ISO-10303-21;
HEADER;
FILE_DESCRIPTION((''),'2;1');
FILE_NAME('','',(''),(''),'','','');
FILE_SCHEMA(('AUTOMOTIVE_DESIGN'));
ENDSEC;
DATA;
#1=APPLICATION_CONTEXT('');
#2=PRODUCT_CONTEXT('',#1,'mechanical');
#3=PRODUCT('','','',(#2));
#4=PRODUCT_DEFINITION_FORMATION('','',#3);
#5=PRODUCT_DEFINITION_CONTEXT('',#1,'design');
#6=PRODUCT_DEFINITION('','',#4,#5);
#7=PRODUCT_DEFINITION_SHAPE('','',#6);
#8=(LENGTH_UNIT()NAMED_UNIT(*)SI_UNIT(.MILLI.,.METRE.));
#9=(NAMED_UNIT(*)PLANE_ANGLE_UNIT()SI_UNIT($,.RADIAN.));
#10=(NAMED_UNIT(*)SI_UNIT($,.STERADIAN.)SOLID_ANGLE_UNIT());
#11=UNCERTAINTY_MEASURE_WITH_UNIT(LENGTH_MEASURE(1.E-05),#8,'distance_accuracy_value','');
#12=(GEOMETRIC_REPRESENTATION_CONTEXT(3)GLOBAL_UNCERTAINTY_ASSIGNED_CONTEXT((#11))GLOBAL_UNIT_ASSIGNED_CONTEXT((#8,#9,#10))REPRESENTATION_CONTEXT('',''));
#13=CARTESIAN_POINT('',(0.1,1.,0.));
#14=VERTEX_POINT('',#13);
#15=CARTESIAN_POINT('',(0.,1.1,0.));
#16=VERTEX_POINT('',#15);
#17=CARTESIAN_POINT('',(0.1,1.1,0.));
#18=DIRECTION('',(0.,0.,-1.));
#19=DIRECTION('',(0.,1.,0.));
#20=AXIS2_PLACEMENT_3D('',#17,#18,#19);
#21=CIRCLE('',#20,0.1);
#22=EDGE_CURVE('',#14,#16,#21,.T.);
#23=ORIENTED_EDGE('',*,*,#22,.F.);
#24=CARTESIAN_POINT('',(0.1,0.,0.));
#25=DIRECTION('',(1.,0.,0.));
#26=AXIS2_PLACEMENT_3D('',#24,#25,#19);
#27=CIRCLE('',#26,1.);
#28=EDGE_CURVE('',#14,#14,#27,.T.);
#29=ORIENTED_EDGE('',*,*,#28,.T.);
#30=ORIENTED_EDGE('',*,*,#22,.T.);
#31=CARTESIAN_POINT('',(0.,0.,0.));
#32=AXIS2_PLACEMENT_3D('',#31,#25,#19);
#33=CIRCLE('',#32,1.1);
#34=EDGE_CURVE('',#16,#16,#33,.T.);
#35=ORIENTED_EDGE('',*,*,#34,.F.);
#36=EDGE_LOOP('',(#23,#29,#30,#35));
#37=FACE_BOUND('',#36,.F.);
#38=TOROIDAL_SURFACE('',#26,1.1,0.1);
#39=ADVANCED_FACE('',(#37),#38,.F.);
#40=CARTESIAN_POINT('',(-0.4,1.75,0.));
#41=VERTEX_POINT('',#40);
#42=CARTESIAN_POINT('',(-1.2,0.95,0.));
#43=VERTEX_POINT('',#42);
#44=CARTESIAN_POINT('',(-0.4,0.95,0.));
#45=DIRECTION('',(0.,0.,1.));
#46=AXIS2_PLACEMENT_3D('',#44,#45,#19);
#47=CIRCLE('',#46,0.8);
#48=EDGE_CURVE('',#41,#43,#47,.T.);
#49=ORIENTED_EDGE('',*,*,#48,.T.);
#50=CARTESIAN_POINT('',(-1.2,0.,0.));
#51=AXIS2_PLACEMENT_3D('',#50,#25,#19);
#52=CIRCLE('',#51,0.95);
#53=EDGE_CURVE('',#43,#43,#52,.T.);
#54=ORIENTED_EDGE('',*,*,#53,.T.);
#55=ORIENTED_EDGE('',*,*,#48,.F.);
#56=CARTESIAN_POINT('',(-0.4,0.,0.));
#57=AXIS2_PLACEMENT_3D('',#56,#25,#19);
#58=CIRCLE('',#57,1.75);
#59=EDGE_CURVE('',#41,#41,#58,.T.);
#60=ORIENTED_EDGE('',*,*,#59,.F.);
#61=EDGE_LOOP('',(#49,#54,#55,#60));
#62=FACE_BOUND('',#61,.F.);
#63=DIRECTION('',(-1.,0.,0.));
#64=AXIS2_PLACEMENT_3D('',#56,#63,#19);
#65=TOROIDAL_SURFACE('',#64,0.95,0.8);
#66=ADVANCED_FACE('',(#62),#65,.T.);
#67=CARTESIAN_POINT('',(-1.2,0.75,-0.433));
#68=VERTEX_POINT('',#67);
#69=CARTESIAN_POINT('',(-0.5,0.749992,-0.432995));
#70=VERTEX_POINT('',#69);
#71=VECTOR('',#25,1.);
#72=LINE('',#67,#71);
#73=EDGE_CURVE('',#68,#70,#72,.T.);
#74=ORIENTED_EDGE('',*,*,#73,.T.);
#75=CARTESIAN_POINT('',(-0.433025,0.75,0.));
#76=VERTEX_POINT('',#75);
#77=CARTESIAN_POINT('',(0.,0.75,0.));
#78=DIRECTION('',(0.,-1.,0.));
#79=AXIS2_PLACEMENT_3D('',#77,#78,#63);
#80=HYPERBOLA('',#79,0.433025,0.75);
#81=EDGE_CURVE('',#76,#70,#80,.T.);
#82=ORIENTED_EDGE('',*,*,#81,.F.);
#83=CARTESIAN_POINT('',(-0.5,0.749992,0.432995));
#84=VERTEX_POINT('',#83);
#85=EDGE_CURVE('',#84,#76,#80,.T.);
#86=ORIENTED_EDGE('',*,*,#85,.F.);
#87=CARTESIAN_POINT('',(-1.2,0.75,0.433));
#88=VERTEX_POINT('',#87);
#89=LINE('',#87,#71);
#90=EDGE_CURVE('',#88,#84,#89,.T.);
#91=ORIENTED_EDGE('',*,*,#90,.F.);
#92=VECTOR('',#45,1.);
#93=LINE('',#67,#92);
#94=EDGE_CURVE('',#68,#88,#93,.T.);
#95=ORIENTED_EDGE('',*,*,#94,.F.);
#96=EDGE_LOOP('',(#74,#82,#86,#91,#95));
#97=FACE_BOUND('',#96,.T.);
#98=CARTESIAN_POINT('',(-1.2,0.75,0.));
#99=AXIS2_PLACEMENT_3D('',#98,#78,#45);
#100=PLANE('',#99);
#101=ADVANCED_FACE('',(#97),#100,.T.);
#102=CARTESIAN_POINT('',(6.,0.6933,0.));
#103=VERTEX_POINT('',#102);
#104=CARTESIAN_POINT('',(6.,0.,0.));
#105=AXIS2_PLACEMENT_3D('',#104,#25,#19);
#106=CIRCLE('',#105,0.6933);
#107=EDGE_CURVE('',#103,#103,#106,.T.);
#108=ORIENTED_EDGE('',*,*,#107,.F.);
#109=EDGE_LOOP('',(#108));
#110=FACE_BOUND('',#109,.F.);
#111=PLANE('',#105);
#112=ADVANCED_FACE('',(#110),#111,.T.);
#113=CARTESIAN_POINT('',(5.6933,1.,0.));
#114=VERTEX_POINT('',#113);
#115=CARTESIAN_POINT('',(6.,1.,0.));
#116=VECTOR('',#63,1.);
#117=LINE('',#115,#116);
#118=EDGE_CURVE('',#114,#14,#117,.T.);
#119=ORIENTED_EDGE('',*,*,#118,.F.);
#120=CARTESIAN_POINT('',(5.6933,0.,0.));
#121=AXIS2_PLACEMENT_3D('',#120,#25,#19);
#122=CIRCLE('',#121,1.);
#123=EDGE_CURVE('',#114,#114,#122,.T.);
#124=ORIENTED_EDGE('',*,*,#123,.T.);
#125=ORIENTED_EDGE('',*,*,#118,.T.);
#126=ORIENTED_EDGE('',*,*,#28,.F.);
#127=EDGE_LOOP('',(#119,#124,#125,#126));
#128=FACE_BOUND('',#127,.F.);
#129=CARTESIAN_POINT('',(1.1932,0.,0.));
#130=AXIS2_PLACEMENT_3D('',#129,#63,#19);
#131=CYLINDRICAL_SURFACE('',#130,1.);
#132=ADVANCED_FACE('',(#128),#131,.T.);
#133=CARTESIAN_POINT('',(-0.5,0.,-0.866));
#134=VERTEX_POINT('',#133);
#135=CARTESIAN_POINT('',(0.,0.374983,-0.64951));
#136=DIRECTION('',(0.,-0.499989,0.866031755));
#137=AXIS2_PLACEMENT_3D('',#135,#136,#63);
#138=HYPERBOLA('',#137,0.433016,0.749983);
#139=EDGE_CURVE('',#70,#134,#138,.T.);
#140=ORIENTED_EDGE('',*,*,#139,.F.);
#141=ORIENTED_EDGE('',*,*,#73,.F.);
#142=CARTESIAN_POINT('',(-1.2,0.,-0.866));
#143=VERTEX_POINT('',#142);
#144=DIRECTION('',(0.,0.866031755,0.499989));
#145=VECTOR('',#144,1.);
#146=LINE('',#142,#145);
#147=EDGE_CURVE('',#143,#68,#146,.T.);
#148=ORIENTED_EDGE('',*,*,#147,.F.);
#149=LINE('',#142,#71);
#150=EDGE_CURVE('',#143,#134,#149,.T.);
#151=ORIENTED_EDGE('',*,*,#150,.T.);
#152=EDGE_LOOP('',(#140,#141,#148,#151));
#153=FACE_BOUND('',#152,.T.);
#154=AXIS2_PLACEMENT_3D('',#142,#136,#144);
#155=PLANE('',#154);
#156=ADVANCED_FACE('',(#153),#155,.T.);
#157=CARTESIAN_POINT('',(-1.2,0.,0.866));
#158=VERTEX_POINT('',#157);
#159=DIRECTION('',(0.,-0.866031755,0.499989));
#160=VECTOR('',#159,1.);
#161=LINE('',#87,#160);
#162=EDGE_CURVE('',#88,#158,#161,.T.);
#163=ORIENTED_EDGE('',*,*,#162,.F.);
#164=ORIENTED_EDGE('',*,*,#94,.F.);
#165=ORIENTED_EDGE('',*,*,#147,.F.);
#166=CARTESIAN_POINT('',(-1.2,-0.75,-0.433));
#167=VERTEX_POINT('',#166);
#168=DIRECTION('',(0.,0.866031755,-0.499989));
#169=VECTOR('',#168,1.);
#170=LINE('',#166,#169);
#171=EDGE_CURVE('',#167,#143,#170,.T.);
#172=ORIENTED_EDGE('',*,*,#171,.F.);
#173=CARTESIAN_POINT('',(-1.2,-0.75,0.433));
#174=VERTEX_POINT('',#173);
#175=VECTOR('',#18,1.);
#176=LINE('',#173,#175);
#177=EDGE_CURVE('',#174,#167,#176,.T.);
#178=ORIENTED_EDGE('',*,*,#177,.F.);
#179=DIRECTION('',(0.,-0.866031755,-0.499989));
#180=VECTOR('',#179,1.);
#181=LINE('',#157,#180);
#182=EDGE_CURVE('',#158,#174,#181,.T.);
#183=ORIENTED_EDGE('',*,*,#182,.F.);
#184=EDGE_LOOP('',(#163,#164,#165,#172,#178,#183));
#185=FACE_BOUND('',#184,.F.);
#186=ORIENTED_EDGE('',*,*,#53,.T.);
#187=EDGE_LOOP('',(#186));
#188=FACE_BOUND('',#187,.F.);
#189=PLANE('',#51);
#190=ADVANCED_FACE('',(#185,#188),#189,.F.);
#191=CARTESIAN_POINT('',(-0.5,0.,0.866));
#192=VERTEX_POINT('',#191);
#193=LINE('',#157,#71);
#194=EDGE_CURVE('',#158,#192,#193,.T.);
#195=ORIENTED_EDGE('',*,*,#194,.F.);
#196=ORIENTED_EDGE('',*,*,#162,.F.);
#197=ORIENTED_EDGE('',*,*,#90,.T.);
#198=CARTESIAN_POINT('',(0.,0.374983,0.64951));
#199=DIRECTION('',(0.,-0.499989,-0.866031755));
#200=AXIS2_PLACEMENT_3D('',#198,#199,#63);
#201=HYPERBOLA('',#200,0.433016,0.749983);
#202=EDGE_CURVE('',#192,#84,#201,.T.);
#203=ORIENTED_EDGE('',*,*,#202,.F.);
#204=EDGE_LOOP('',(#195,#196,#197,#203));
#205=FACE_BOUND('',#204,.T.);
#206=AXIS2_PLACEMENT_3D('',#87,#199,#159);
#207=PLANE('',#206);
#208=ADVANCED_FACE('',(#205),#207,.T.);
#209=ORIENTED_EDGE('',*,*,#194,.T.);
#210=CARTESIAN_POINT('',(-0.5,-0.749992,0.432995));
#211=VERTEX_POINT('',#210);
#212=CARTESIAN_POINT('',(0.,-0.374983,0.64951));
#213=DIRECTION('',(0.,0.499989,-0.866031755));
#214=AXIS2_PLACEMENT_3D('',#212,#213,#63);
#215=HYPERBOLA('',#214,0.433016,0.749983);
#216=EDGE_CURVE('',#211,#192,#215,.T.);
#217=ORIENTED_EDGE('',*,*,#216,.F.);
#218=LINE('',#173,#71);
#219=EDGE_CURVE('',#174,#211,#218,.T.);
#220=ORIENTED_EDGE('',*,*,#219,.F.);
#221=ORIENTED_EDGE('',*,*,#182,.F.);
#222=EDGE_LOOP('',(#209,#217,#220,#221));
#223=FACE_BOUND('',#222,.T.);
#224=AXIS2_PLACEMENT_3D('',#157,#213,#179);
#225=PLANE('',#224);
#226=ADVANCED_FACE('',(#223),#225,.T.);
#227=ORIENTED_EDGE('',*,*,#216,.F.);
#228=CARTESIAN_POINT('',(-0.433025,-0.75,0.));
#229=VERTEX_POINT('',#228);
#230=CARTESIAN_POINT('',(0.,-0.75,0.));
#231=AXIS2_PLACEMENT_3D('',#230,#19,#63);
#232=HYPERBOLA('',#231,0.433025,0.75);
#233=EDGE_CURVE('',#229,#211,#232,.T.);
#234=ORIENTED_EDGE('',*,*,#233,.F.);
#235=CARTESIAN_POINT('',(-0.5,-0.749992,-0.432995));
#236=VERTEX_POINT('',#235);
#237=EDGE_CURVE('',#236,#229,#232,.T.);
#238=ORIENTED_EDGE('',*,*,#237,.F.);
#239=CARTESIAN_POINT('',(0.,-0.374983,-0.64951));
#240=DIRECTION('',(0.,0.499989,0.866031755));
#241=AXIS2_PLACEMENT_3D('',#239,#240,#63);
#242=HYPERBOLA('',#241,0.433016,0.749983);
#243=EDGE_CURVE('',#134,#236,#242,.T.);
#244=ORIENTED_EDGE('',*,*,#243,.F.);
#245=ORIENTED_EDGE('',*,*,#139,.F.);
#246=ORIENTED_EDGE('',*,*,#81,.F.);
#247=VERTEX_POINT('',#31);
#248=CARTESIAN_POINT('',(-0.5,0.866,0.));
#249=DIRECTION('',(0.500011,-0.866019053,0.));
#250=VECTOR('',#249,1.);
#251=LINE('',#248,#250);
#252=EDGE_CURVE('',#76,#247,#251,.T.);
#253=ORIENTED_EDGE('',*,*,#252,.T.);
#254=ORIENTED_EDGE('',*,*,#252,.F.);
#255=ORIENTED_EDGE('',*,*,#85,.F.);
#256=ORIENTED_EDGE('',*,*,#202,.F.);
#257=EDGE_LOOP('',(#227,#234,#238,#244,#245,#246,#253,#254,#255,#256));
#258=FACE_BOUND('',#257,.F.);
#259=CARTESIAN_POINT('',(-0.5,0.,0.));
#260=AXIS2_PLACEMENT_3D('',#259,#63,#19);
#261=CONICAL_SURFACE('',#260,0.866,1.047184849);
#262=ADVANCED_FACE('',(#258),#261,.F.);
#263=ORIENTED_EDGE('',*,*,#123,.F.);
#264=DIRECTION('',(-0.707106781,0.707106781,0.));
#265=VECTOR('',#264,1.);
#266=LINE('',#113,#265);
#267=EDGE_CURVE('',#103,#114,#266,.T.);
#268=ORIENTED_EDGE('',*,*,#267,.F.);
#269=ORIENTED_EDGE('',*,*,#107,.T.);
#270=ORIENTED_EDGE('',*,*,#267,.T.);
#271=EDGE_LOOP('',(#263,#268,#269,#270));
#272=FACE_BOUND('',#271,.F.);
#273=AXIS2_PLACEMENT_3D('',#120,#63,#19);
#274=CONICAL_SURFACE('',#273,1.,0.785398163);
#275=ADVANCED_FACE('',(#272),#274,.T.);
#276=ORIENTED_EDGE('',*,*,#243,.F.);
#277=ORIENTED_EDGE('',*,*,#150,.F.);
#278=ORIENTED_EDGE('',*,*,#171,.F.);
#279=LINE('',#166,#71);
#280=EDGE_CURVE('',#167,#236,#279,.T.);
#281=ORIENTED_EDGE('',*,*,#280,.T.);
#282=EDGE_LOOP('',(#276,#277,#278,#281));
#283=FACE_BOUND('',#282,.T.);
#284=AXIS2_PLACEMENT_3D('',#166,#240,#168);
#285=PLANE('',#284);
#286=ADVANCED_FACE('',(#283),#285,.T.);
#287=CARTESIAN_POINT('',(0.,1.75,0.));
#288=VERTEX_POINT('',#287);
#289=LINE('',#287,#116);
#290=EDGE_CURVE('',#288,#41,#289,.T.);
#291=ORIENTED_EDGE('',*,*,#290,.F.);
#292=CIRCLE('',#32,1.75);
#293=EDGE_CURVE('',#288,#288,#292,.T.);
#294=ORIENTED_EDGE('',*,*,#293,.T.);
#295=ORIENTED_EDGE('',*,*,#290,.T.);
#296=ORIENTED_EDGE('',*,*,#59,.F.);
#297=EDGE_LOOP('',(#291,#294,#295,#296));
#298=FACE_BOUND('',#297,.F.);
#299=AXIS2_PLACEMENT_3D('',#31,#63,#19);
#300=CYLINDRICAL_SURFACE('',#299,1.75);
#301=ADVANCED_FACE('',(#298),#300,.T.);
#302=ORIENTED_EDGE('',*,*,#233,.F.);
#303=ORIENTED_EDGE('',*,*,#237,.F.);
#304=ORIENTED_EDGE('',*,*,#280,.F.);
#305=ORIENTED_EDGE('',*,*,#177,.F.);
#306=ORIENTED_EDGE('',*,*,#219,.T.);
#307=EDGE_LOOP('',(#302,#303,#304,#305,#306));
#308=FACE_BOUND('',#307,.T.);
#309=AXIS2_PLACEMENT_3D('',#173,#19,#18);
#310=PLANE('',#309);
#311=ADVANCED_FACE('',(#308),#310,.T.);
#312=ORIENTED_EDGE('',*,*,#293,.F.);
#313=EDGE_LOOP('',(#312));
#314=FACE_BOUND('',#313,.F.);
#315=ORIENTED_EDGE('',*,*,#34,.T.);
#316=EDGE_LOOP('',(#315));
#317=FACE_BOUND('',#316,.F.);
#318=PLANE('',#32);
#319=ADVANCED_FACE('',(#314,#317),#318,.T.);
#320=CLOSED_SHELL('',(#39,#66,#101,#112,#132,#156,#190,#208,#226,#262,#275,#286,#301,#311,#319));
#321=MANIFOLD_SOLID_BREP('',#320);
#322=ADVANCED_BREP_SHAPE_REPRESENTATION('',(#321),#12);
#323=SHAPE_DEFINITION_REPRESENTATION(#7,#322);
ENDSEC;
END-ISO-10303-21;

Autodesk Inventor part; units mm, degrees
ref_plane "YZ Plane" through (0, 0, 0) normal (1, 0, 0) x (0, 1, 0)
ref_plane "XZ Plane" through (0, 0, 0) normal (0, 1, 0) x (-1, 0, 0)
sketch "Sketch1" plane through (0, 0, 0) normal (0, 0, 1) x (1, 0, 0)
  line L0 (0, 0) -> (6, 0)
  line L1 (6, 0) -> (6, 1)
  line L2 (6, 1) -> (1.5, 1)
  line L3 (1.5, 1) -> (1.1932, 1)
  line L4 (1.1932, 1) -> (0, 1)
  line L5 (0, 1) -> (0, 1.75)
  line L6 (0, 1.75) -> (-1.2, 1.75)
  line L7 (-1.2, 1.75) -> (-1.2, 0.866)
  line L8 (-1.2, 0.866) -> (-0.5, 0.866)
  line L9 (-0.5, 0.866) -> (0, 0)
  line L10 (-2.64, 0) -> (7.44, 0) projected
  line L11 (0, -0.35) -> (0, 2.1) projected
  line L12 (1.5, 1) -> (0, 1) construction
  dimension "d1" = 4.5
  dimension "d2" = 0.3068
  dimension "d3" = 1.2
  dimension "d4" = 0.7
  dimension "d5" = 60
  dimension "d6" = 2
  dimension "d7" = 2
  dimension "d8" = 1.7321
  dimension "d9" = 3.5
  dimension "d26" = 6
revolve "Body" add sketch "Sketch1" angle 360 about axis through (0, 0, 0) along (1, 0, 0)
sketch "Sketch2" plane through (-1.2, 0, 0) normal (-1, 0, 0) x (0, 0, 1)
  circle A0 centre (0, 0) radius 0.866 projected
  line L0 (0, -2.45) -> (0, 2.45) projected
  line L1 (-2.45, 0) -> (2.45, 0) projected
  line L2 (0.866, 0) -> (0.433, -0.75)
  line L3 (0.433, -0.75) -> (-0.433, -0.75)
  line L4 (-0.433, -0.75) -> (-0.866, 0)
  line L5 (-0.866, 0) -> (-0.433, 0.75)
  line L6 (-0.433, 0.75) -> (0.433, 0.75)
  line L7 (0.433, 0.75) -> (0.866, 0)
extrude "Slot" add sketch "Sketch2" against normal up to next contours L7 A0 | A0 L2 | L6 L0 A0 | A0 L0 L3 | L0 L6 A0 | A0 L3 L0 | L4 A0 | A0 L5
fillet "Fillet1" radius 0.8 1 edges at (-1.2, -1.75, 0)
chamfer "Chamfer1" distance 0.3067 distance2 0.3067 1 edges at (6, -1, 0) measured on face at (6, 0.1182, 0.3117)
ref_plane "Work Plane1" through (29, 0, 0) normal (0, -1, 0) x (1, 0, 0)
fillet "Fillet2" radius 0.1 1 edges at (0, -1, 0)
thread "Thread2" size "M2x0.4" class "6g" standard "ANSI Metric M Profile" full length
equation "\"d15\" = -0.5 * SPD + 0.5 * GD"
equation "\"d16\" = GUL"
equation "\"d1\" = GEL"
equation "\"GD\" = NND"
equation "\"NLG\" = 6"
equation "\"GEL\" = 4.5"
equation "\"KOD\" = 5.7"
equation "\"KOH\" = 1.65"
equation "\"INTI\" = 1.04"
equation "\"GAL\" = 0.61345 * PTC"
equation "\"GUL\" = 0.61345 * PTC"
equation "\"BDM\" = NND"
equation "\"SW\" = 2"
equation "\"RR\" = 1.45"
equation "\"SPD\" = NND - 1.2269 * PTC"
equation "\"R\" = 0.3"
equation "\"TOA\" = 30deg"
equation "\"GD1\" = THREADDIA - 1.2269 * PTC"
equation "\"THREADDIA\" = 3"
equation "\"PTC\" = 0.5"
equation "\"NND\" = 3"
equation "\"KOH1\" = 0.2"
equation "\"E0\" = 2.303"
properties part number "ISO 7380-1 - M3 x 6" material "Stainless Steel"
